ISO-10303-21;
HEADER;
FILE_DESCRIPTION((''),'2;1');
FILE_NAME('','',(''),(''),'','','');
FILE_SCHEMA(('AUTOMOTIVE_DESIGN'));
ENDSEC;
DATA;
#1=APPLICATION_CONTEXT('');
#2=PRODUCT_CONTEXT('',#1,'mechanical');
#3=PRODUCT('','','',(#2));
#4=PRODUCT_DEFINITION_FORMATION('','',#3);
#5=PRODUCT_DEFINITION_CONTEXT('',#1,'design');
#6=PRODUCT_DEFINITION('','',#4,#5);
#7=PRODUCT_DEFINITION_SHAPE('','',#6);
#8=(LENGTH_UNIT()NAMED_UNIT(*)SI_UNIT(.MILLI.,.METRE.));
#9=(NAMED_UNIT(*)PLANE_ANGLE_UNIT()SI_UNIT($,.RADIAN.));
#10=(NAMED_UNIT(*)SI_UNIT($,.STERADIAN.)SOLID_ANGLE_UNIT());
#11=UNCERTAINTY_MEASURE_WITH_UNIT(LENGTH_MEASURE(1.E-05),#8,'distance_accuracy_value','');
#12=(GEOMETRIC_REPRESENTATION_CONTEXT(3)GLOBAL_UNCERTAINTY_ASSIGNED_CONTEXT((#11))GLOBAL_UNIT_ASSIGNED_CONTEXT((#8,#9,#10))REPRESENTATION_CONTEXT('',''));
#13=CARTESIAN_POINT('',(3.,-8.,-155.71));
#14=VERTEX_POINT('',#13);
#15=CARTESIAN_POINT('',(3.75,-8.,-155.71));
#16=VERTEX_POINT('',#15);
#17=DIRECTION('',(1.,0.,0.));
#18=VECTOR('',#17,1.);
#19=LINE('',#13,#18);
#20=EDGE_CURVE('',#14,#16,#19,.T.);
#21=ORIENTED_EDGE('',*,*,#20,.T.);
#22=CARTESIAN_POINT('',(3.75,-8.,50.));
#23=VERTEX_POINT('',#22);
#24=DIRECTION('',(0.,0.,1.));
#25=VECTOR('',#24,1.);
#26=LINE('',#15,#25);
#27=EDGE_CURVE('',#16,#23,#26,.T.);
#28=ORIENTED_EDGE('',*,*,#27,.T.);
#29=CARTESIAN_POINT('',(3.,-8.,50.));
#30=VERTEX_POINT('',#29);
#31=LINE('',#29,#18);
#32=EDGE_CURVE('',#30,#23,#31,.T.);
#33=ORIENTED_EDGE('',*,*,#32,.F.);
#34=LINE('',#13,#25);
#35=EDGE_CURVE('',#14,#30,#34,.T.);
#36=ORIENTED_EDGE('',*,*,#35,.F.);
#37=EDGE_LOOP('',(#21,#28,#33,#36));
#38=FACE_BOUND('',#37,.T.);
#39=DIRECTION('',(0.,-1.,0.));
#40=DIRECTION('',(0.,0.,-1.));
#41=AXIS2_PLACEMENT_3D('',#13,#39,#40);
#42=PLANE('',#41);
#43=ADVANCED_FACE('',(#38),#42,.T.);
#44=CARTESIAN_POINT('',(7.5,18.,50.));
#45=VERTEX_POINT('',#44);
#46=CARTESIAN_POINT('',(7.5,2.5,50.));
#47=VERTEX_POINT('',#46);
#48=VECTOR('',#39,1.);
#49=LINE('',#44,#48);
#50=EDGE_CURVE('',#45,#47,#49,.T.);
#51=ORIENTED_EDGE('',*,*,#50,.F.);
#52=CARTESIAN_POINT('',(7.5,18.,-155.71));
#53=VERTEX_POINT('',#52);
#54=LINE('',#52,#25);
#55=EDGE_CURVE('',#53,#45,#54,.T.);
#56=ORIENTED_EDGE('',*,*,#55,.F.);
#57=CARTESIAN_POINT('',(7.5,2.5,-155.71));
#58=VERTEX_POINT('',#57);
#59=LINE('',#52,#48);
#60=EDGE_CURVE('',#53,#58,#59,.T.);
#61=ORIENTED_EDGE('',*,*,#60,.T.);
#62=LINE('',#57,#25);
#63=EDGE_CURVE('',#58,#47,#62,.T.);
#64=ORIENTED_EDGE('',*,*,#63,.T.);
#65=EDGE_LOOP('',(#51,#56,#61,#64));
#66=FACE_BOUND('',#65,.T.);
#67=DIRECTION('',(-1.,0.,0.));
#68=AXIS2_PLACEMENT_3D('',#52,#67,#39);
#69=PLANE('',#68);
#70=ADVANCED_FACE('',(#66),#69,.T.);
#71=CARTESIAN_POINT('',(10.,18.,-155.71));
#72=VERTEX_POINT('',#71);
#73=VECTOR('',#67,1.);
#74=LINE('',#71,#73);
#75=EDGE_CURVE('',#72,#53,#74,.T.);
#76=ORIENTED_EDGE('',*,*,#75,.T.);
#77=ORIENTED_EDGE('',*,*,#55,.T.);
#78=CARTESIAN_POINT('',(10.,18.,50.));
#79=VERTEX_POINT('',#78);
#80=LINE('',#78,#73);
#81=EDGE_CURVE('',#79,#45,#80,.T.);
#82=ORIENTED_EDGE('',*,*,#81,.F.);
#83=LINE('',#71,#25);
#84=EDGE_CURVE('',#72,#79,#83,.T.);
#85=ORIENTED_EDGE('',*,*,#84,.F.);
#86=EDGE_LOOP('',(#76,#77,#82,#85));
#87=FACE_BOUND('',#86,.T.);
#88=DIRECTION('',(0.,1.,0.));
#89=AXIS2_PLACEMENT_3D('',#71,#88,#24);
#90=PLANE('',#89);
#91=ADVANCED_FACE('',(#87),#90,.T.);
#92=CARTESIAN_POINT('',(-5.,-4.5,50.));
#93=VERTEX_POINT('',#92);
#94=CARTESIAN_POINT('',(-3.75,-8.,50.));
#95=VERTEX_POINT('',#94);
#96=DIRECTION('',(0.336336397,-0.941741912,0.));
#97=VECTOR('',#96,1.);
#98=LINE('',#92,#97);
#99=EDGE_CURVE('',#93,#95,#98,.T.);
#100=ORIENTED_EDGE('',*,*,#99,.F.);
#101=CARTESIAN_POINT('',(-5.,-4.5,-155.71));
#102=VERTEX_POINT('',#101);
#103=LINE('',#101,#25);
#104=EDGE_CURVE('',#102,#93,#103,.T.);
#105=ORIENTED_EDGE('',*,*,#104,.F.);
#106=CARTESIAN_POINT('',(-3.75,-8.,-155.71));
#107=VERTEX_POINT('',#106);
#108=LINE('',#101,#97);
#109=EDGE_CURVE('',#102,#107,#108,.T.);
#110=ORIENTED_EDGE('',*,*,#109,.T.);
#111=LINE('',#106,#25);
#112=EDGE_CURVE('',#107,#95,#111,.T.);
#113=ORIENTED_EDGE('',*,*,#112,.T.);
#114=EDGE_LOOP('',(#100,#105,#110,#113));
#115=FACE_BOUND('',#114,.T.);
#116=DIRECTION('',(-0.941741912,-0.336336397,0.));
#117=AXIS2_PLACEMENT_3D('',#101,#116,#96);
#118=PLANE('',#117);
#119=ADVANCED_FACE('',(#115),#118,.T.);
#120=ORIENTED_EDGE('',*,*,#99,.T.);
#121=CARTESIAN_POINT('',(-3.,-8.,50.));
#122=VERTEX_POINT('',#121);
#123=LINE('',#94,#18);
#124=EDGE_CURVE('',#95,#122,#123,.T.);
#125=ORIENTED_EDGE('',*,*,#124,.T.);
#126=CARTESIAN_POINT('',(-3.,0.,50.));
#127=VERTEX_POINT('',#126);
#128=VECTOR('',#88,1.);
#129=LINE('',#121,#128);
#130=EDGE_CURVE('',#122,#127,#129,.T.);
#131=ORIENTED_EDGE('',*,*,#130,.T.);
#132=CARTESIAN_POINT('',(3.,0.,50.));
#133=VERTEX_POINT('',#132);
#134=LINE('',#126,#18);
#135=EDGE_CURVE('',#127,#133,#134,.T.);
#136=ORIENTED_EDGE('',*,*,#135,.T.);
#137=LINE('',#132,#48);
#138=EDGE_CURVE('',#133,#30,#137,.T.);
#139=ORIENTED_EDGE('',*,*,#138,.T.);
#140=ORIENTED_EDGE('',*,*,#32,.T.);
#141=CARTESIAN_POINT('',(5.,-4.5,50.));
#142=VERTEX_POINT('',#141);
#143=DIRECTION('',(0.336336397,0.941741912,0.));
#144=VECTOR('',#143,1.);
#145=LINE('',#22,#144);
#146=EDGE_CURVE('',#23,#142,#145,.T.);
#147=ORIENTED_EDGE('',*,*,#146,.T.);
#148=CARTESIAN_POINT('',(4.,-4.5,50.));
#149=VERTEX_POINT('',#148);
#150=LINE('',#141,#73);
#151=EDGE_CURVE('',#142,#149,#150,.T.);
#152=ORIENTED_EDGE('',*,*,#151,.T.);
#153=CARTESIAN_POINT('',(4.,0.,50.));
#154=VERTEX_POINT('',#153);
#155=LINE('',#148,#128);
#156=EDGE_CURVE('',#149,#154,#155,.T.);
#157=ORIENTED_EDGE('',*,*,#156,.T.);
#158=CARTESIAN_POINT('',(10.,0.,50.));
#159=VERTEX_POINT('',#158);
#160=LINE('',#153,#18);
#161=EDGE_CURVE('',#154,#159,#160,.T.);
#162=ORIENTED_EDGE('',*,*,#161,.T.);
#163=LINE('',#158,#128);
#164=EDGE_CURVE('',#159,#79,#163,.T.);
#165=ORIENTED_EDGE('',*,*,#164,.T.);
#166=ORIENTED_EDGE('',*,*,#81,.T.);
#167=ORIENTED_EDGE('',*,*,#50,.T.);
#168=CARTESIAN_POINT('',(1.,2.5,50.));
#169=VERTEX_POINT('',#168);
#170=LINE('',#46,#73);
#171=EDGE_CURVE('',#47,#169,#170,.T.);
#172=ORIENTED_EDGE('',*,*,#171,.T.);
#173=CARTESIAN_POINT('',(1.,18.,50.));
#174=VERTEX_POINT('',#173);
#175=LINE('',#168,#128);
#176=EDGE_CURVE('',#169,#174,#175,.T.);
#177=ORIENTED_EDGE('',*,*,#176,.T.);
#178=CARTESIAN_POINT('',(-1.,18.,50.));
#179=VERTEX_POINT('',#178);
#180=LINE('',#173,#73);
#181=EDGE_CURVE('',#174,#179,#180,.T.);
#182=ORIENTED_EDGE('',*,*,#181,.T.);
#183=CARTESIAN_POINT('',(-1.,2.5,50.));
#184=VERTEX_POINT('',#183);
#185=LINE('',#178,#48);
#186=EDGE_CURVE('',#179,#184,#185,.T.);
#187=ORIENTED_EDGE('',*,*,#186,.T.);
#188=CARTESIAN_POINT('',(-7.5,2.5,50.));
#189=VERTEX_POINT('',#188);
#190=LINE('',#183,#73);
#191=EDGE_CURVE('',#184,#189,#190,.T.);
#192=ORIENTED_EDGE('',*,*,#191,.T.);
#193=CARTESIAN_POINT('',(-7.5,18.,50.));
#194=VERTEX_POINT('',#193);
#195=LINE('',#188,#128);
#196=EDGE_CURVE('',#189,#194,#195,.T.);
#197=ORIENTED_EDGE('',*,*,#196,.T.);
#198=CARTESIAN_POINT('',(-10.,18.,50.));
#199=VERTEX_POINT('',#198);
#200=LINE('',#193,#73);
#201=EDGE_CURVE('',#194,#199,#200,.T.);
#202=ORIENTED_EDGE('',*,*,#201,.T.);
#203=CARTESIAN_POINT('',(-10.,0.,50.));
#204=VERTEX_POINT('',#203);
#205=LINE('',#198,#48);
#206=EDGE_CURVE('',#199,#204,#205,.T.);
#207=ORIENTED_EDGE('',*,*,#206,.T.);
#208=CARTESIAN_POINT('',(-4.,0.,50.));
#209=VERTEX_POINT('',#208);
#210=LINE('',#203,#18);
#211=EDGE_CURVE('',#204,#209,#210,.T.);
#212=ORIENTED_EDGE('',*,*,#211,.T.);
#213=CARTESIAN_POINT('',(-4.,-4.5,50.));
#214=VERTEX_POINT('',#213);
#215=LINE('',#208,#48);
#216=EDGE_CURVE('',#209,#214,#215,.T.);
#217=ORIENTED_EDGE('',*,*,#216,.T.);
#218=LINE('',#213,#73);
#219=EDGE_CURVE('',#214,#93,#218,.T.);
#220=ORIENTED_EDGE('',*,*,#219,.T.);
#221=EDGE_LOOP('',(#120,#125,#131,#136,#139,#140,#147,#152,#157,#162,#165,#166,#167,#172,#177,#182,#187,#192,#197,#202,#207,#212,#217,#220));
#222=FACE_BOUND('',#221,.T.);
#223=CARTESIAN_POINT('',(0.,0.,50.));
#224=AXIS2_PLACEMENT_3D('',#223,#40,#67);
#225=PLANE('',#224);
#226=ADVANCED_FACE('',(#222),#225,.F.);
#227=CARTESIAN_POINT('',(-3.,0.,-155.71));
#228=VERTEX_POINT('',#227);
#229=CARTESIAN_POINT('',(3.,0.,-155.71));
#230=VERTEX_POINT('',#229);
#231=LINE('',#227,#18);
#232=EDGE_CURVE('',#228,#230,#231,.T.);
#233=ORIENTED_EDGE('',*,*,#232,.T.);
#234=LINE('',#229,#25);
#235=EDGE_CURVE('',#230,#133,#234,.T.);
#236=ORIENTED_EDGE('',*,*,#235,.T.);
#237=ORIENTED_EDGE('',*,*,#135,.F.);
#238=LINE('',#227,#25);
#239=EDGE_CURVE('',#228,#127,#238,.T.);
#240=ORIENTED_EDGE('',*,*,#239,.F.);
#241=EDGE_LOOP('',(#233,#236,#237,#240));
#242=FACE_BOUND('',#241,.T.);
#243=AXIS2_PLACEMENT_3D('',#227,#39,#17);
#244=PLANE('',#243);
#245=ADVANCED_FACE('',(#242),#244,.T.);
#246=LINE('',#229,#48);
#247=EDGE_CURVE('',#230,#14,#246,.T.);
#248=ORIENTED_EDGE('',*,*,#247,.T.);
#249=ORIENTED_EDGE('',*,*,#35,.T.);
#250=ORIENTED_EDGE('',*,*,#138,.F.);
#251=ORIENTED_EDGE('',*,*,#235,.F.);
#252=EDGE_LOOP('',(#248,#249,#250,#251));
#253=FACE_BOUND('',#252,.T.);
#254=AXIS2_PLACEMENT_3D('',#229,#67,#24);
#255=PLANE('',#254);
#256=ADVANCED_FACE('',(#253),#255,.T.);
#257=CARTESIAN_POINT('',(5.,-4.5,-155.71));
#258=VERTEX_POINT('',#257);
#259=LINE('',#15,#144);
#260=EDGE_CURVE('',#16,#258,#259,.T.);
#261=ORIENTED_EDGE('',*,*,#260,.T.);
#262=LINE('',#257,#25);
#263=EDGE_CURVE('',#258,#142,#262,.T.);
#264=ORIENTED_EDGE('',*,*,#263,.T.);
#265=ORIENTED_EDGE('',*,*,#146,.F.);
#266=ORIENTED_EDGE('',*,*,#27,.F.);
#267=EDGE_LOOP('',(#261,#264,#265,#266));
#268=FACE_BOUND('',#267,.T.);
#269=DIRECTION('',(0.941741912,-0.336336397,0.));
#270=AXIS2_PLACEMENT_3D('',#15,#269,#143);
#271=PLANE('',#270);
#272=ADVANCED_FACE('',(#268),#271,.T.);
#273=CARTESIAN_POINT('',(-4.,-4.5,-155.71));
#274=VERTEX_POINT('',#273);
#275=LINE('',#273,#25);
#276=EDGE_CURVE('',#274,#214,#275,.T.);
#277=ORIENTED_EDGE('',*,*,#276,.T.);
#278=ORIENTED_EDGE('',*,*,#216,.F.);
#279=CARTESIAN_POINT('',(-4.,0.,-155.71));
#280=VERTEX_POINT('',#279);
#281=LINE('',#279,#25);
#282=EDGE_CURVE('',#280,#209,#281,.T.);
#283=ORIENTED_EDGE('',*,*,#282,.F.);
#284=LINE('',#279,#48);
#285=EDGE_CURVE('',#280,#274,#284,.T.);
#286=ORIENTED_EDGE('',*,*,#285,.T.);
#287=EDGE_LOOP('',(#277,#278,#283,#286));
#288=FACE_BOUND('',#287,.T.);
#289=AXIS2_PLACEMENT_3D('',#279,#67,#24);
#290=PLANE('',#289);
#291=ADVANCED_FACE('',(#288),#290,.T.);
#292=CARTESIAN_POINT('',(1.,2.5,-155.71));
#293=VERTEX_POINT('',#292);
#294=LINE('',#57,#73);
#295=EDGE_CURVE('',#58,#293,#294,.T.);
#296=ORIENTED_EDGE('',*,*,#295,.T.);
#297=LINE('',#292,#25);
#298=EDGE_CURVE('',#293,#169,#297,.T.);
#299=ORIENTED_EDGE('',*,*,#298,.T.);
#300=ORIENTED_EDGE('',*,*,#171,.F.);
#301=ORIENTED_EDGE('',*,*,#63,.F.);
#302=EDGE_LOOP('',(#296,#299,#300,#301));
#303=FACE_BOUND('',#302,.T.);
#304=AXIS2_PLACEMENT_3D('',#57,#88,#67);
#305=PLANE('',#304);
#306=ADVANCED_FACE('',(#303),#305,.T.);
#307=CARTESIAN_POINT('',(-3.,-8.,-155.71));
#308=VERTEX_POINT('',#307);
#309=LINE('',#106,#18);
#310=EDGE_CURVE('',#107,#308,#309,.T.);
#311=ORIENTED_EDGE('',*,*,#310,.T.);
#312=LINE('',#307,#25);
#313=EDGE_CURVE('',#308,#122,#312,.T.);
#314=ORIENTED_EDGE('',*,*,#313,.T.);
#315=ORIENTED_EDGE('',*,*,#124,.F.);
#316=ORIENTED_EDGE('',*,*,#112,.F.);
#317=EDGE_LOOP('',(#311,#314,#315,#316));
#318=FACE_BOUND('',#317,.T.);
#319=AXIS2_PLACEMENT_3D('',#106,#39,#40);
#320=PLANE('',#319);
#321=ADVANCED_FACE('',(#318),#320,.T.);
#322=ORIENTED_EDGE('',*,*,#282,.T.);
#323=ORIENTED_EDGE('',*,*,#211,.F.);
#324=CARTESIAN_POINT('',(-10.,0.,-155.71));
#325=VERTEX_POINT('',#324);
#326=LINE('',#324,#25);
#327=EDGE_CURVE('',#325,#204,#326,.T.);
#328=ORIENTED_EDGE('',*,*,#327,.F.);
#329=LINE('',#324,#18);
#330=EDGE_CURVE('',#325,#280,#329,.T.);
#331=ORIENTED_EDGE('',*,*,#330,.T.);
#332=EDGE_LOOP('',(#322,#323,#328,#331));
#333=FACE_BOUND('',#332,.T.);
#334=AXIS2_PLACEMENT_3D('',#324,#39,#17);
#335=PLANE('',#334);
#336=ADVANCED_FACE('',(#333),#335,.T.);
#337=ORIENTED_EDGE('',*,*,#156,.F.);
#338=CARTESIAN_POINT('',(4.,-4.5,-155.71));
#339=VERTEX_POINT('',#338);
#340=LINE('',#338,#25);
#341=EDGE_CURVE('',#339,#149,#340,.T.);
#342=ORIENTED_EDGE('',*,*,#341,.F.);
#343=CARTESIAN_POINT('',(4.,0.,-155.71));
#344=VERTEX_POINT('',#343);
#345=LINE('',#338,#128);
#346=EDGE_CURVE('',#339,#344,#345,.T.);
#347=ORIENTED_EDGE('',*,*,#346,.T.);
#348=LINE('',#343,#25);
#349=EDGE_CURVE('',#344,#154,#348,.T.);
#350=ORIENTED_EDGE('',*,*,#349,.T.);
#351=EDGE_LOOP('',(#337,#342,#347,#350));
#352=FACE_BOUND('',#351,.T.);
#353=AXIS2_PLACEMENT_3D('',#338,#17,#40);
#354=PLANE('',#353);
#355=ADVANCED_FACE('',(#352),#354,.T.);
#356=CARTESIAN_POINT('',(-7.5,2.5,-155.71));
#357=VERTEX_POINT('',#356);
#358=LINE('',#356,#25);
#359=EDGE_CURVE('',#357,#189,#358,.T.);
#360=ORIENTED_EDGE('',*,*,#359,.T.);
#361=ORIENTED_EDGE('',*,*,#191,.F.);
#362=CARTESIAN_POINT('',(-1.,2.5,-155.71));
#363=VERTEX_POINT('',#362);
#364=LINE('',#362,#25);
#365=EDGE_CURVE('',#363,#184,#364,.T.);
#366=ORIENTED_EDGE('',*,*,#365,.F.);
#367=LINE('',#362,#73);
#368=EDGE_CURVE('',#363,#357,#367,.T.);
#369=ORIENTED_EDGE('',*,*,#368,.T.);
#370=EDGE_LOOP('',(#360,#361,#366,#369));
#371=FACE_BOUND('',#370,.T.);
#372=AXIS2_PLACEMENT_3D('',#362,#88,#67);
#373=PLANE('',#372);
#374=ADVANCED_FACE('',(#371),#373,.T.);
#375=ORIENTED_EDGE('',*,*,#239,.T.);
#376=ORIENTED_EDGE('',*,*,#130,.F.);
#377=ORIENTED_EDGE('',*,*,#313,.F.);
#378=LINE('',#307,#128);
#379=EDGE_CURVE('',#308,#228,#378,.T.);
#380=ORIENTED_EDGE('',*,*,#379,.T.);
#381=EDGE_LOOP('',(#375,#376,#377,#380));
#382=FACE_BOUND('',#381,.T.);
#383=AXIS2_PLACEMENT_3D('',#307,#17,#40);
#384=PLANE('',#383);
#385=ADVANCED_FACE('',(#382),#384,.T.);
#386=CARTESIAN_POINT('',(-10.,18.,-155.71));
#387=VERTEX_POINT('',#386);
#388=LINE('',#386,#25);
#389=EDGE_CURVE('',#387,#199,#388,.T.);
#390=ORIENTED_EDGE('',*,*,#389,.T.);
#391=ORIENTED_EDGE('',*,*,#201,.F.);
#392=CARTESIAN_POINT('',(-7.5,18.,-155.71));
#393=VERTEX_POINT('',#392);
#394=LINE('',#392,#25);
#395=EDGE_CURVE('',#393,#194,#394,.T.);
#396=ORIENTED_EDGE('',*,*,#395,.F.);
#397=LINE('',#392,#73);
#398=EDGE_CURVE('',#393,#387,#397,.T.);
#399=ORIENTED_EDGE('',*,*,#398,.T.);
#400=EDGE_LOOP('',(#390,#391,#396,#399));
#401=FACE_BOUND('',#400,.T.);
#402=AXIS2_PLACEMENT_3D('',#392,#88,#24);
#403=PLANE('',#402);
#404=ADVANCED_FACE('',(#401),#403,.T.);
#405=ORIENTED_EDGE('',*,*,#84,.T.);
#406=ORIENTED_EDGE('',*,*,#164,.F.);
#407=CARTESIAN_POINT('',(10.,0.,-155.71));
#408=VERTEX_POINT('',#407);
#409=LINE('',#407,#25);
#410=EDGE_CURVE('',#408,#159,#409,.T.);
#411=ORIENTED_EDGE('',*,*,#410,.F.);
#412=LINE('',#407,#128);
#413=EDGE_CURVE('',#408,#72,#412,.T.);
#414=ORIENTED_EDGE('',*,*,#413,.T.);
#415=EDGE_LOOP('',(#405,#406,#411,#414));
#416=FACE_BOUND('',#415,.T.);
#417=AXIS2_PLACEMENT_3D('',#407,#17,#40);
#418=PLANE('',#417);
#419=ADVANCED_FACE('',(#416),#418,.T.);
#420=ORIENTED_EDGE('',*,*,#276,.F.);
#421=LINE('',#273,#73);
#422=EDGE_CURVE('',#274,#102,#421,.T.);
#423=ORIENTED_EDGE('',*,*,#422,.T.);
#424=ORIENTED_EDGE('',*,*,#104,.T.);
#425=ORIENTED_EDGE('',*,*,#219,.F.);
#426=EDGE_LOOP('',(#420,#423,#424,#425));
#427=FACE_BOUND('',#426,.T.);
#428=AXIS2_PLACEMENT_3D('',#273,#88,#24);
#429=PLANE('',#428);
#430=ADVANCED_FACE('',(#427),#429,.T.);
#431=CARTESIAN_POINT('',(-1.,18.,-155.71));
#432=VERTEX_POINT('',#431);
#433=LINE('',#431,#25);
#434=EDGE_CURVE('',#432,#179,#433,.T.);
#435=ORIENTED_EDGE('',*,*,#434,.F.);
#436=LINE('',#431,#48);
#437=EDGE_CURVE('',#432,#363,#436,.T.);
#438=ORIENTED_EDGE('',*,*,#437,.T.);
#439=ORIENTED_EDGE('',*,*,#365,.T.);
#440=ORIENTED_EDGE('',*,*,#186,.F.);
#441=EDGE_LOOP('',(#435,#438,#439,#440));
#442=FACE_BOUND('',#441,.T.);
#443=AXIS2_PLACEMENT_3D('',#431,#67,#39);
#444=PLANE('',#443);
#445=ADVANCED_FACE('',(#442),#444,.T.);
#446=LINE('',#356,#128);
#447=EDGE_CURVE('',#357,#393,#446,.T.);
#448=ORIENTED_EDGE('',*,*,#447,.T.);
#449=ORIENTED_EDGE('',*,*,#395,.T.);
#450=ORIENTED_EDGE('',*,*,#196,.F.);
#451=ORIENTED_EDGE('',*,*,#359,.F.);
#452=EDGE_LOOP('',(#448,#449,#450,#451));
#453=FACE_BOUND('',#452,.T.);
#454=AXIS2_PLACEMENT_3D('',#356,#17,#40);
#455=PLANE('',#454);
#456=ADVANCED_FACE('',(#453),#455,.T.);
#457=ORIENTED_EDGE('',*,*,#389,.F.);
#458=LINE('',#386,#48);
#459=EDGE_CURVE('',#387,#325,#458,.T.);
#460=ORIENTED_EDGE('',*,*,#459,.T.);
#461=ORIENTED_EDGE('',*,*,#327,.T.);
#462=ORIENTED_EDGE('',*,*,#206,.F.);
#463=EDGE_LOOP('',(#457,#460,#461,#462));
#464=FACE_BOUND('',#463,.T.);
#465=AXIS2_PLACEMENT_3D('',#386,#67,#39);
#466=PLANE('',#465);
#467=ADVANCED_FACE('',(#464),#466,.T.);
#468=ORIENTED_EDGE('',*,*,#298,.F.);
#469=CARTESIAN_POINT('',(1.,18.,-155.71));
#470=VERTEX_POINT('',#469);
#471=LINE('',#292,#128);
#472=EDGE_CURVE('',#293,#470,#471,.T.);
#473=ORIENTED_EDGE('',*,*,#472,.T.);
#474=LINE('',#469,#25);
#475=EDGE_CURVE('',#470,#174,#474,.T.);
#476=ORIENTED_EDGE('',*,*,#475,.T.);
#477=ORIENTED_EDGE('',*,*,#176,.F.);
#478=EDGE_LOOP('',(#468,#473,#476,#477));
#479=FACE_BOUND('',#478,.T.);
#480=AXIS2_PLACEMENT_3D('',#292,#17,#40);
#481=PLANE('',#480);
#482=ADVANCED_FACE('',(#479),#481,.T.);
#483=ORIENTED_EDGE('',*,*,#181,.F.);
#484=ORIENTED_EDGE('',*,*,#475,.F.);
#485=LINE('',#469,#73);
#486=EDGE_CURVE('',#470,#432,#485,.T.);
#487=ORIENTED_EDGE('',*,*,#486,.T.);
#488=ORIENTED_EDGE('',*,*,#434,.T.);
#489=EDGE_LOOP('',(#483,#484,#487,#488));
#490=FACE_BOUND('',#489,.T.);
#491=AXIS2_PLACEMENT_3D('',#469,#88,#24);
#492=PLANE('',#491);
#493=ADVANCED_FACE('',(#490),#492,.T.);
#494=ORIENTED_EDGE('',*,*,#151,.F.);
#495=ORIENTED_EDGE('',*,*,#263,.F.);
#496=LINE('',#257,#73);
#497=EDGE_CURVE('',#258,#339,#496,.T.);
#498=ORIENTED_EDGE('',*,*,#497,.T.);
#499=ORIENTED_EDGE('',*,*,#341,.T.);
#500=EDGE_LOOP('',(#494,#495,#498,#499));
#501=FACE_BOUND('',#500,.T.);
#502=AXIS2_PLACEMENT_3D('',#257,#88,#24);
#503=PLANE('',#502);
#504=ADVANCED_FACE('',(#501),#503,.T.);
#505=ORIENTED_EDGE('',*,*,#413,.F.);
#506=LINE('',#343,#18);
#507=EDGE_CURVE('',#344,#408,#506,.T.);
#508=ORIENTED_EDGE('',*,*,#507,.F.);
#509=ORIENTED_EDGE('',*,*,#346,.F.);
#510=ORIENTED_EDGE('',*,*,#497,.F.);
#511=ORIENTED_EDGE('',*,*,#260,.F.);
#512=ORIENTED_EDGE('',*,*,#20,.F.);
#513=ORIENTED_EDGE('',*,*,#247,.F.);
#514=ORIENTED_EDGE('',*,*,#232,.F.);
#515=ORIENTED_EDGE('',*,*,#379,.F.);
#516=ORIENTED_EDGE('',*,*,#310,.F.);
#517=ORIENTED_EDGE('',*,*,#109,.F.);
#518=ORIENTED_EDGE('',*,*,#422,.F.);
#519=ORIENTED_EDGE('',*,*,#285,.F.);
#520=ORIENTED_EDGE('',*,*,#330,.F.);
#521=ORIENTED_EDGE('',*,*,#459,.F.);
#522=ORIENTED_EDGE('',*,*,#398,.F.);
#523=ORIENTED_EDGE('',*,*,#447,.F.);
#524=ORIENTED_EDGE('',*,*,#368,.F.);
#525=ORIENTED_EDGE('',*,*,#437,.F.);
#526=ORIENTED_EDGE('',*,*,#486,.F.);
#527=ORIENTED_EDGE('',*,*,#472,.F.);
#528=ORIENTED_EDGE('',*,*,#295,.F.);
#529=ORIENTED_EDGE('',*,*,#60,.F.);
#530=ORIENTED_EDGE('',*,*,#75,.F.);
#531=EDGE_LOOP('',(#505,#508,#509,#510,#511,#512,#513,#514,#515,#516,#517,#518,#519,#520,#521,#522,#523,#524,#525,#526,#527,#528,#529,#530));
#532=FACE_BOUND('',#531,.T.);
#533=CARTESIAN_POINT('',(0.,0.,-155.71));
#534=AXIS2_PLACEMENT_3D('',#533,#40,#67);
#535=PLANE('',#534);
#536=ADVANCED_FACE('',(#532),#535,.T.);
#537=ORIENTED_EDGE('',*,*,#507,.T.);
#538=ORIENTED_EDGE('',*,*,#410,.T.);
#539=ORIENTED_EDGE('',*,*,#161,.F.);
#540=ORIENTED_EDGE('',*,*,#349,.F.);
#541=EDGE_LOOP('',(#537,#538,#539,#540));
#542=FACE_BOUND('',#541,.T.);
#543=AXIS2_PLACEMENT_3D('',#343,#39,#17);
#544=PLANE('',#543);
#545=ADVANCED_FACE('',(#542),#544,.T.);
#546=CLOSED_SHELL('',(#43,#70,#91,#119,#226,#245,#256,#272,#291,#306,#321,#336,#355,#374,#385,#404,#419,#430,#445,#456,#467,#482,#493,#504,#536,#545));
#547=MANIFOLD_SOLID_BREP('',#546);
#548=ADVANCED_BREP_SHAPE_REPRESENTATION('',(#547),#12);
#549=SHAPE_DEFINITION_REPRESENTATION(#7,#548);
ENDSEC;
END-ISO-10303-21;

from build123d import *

# Parameters (mm, degrees)
BOSS_EXTRU_1_DEPTH = 205.71


with BuildPart() as part:
    # Esquisse1 → Boss.-Extru.1 (new body)
    with BuildSketch(Plane.XY.offset(50)):
        Polygon((-1, 2.5), (-7.5, 2.5), (-7.5, 17.999999998), (-10, 17.999999998), (-10, 0), (-4, 0), (-4, -4.5), (-5, -4.5), (-3.75, -8), (-3, -8), (-3, 0), (3, 0), (3, -8), (3.75, -8), (5, -4.5), (4, -4.5), (4, 0), (10, 0), (10, 17.999999998), (7.5, 17.999999998), (7.5, 2.5), (1, 2.5), (1, 17.999999998), (-1, 17.999999998), align=None)
    extrude(amount=-BOSS_EXTRU_1_DEPTH)


solid = part.part
